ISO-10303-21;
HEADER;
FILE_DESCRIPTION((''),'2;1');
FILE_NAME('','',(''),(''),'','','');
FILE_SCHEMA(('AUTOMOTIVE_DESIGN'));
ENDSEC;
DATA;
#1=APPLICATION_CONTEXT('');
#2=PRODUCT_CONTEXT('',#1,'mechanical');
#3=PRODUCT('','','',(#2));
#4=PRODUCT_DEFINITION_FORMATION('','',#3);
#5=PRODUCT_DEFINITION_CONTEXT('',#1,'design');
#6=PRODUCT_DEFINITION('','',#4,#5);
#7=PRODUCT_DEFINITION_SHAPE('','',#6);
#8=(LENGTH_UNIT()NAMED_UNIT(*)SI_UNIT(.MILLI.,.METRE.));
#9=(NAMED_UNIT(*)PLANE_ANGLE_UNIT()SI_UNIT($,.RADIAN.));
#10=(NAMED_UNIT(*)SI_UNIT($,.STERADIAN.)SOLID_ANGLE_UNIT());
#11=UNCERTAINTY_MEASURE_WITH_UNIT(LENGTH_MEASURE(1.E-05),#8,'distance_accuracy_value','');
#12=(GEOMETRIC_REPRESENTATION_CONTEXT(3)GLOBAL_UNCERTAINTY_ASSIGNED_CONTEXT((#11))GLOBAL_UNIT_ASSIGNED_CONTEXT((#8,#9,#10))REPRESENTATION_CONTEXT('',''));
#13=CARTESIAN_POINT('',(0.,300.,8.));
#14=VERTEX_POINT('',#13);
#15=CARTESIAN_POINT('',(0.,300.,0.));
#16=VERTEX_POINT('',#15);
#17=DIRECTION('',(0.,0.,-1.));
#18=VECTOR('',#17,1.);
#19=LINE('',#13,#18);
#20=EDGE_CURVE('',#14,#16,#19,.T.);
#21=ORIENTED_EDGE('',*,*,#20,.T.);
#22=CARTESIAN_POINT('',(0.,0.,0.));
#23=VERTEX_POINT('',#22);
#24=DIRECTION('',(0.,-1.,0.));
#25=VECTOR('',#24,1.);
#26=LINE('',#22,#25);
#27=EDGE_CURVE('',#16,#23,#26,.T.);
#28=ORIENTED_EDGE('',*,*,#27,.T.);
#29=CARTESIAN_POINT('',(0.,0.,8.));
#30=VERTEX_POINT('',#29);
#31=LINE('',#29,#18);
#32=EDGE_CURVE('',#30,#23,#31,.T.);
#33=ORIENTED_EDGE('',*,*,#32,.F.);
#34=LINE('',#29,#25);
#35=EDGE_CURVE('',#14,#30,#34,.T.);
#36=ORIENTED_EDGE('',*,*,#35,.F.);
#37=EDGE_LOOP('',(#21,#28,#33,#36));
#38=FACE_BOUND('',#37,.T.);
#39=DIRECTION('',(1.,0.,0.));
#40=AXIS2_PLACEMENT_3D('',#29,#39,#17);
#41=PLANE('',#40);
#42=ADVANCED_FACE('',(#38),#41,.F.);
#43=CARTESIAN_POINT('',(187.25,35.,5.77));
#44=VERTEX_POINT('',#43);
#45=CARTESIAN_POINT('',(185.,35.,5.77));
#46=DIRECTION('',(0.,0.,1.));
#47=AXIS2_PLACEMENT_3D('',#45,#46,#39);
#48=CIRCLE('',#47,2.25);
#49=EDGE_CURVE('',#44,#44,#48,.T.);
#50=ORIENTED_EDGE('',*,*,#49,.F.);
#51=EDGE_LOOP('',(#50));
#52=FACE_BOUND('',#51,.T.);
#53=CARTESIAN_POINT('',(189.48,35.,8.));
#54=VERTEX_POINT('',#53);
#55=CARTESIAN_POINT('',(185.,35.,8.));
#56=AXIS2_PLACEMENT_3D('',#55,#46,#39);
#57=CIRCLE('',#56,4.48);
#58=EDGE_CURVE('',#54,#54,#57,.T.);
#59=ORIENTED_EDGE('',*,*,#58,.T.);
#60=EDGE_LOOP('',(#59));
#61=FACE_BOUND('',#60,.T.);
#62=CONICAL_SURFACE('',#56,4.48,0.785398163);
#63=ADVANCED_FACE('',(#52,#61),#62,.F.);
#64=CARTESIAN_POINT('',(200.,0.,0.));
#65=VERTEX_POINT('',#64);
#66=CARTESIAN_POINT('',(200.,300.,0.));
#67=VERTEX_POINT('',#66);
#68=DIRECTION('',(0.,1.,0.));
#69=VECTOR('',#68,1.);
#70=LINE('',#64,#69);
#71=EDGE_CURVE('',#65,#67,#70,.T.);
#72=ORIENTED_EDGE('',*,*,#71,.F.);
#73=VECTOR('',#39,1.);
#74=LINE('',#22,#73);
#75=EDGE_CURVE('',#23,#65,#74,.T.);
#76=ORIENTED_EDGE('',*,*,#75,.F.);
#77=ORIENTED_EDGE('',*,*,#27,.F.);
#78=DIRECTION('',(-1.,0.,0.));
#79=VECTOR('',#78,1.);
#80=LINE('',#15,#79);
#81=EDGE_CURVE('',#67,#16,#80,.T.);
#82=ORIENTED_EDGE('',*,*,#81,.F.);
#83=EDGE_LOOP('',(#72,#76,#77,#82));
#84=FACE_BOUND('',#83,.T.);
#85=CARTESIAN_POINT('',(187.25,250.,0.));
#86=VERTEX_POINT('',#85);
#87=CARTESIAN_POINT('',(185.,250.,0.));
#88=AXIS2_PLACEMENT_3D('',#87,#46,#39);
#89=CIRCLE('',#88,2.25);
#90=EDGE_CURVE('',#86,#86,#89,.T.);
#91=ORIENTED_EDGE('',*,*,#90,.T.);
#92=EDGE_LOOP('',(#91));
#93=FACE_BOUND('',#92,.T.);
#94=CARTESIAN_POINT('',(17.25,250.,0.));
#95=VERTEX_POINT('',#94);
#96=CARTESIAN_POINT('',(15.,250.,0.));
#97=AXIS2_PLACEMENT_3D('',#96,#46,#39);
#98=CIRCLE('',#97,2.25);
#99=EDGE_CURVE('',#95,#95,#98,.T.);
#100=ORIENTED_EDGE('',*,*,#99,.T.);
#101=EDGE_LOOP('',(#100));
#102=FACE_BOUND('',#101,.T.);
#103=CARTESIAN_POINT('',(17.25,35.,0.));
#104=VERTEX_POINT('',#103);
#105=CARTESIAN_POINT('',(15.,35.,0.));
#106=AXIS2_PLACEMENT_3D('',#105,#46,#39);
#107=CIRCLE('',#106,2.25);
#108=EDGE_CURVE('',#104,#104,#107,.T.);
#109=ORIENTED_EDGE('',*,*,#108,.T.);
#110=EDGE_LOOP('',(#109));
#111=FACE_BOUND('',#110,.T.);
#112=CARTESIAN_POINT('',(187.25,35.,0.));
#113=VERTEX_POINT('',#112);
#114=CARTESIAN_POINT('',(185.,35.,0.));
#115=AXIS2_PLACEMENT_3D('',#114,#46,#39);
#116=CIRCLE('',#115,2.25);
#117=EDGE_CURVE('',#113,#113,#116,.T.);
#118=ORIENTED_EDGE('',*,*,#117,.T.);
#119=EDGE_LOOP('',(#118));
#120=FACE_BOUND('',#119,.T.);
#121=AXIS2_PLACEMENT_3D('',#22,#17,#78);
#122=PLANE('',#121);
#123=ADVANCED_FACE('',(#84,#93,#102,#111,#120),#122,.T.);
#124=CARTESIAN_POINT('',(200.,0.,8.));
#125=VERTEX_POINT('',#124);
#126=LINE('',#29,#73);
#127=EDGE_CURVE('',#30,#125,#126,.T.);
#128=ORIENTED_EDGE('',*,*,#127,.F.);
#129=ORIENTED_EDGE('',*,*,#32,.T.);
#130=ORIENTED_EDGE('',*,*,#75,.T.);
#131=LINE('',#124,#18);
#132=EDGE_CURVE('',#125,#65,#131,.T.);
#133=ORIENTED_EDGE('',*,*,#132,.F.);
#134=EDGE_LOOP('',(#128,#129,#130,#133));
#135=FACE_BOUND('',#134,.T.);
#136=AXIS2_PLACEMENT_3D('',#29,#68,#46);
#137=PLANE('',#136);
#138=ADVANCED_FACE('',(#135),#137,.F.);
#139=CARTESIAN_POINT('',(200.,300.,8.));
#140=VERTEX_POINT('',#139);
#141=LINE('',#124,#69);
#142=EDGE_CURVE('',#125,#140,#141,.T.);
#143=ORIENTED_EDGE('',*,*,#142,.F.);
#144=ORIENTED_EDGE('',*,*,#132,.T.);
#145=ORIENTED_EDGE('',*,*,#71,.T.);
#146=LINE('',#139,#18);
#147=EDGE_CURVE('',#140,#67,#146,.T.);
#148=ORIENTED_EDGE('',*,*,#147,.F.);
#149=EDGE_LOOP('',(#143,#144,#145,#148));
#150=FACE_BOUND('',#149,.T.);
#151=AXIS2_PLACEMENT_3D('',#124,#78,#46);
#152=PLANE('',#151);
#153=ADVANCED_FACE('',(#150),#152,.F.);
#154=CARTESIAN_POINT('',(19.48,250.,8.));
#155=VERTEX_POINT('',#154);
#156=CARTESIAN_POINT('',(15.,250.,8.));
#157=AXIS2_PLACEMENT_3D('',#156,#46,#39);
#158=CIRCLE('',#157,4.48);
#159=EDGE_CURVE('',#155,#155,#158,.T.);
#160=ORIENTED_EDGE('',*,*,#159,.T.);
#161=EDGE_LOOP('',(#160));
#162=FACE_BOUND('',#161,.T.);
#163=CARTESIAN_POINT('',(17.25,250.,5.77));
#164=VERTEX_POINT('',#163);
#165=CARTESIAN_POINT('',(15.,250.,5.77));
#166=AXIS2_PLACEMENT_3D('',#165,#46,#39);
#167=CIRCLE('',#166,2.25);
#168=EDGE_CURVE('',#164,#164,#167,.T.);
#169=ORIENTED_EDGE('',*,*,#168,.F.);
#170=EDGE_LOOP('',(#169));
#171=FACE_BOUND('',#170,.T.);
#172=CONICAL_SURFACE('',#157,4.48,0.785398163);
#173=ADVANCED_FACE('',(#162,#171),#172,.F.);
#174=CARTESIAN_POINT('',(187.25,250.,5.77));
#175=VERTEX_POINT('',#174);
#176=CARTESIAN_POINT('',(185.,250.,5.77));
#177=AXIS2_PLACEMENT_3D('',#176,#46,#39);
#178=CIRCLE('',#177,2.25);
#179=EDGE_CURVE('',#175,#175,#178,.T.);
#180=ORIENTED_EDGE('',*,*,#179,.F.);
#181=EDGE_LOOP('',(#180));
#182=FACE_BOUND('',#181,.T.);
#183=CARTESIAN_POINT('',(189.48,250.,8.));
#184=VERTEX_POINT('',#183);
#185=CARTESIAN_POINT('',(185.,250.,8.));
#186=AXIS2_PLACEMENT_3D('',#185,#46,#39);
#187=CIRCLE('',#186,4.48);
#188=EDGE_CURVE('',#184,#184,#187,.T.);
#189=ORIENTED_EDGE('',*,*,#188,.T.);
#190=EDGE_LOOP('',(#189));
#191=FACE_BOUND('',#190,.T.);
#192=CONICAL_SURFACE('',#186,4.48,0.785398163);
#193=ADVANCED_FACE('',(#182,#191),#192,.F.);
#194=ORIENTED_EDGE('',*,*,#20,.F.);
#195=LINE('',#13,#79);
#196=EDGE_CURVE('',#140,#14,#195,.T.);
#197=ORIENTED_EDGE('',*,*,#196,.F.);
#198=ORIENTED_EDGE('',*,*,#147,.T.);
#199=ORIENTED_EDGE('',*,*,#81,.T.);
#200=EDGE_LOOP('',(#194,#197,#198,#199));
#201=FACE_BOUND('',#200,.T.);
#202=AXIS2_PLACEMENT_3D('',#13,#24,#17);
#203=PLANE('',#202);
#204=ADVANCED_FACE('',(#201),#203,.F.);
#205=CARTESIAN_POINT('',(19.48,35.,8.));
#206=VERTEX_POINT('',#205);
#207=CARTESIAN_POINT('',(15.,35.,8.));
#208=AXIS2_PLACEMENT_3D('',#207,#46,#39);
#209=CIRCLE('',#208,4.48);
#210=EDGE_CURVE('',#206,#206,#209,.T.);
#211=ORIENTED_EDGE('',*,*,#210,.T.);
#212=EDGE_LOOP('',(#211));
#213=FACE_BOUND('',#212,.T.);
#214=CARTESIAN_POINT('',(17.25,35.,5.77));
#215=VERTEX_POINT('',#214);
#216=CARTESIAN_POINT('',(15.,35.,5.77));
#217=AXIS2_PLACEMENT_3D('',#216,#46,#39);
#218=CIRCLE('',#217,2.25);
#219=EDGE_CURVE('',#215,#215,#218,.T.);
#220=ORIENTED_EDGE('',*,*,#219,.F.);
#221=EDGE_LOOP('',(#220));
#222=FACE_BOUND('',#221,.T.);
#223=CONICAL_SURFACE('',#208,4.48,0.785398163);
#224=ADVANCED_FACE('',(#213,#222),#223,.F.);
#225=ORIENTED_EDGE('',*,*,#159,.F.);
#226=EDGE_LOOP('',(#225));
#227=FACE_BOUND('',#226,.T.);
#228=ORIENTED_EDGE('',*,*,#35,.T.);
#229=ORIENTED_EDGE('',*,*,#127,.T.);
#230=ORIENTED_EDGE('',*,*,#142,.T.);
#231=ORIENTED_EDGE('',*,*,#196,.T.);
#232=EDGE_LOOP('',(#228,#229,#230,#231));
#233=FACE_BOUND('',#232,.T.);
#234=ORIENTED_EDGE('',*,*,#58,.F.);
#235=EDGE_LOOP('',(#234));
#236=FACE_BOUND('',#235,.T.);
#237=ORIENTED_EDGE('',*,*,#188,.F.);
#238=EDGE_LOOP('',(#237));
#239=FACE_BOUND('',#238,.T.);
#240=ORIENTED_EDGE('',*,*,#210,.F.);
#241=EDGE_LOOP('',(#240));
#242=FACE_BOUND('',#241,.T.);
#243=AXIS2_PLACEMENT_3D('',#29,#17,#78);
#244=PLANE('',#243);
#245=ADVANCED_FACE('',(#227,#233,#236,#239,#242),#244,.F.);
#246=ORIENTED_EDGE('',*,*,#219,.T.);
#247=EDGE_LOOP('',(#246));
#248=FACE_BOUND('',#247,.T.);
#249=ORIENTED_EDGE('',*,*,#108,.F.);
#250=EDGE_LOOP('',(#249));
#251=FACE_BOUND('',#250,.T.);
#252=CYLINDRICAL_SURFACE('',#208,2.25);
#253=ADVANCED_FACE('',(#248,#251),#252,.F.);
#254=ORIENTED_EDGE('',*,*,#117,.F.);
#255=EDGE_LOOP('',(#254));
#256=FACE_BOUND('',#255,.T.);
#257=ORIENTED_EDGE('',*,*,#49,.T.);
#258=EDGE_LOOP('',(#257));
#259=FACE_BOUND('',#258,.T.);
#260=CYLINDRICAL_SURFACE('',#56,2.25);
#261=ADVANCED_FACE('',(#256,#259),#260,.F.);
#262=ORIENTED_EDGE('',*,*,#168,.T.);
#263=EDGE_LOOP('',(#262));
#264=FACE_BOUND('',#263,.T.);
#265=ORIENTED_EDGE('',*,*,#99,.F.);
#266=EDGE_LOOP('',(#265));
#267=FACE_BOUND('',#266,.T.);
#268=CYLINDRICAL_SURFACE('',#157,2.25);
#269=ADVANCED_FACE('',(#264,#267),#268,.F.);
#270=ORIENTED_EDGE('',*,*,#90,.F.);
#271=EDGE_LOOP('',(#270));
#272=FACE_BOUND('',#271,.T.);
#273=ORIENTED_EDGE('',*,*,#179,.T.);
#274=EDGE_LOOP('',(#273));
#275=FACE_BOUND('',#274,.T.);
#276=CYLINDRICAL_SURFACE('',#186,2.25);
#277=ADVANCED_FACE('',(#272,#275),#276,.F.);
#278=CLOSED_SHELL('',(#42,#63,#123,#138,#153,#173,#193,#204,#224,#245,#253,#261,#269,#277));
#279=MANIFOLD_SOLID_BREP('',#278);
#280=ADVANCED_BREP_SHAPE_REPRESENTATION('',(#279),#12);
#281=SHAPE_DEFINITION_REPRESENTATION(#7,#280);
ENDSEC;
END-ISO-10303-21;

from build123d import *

# Parameters (mm, degrees)
ESBO_O1_W                            = 200
ESBO_O1_H                            = 300
RESSALTO_EXTRUS_O1_DEPTH             = 8
ESCAREADO_PARA_SFHCS_M41_D           = 4.5
ESCAREADO_PARA_SFHCS_M41_CSINK_D     = 8.96
ESCAREADO_PARA_SFHCS_M41_CSINK_ANGLE = 90


with BuildPart() as part:
    # Esboço1 → Ressalto-extrusão1 (new body)
    with BuildSketch(Plane.XY):
        with Locations((100, 150)):
            Rectangle(ESBO_O1_W, ESBO_O1_H)
    extrude(amount=RESSALTO_EXTRUS_O1_DEPTH)

    # Escareado para SFHCS M41 (through all)
    with Locations(Plane(origin=(15, 250, 8), x_dir=(1, 0, 0), z_dir=(0, 0, 1))):
        with Locations((0, 0), (170, 0), (0, -215), (170, -215)):
            CounterSinkHole(ESCAREADO_PARA_SFHCS_M41_D / 2, ESCAREADO_PARA_SFHCS_M41_CSINK_D / 2, counter_sink_angle=ESCAREADO_PARA_SFHCS_M41_CSINK_ANGLE)


solid = part.part
